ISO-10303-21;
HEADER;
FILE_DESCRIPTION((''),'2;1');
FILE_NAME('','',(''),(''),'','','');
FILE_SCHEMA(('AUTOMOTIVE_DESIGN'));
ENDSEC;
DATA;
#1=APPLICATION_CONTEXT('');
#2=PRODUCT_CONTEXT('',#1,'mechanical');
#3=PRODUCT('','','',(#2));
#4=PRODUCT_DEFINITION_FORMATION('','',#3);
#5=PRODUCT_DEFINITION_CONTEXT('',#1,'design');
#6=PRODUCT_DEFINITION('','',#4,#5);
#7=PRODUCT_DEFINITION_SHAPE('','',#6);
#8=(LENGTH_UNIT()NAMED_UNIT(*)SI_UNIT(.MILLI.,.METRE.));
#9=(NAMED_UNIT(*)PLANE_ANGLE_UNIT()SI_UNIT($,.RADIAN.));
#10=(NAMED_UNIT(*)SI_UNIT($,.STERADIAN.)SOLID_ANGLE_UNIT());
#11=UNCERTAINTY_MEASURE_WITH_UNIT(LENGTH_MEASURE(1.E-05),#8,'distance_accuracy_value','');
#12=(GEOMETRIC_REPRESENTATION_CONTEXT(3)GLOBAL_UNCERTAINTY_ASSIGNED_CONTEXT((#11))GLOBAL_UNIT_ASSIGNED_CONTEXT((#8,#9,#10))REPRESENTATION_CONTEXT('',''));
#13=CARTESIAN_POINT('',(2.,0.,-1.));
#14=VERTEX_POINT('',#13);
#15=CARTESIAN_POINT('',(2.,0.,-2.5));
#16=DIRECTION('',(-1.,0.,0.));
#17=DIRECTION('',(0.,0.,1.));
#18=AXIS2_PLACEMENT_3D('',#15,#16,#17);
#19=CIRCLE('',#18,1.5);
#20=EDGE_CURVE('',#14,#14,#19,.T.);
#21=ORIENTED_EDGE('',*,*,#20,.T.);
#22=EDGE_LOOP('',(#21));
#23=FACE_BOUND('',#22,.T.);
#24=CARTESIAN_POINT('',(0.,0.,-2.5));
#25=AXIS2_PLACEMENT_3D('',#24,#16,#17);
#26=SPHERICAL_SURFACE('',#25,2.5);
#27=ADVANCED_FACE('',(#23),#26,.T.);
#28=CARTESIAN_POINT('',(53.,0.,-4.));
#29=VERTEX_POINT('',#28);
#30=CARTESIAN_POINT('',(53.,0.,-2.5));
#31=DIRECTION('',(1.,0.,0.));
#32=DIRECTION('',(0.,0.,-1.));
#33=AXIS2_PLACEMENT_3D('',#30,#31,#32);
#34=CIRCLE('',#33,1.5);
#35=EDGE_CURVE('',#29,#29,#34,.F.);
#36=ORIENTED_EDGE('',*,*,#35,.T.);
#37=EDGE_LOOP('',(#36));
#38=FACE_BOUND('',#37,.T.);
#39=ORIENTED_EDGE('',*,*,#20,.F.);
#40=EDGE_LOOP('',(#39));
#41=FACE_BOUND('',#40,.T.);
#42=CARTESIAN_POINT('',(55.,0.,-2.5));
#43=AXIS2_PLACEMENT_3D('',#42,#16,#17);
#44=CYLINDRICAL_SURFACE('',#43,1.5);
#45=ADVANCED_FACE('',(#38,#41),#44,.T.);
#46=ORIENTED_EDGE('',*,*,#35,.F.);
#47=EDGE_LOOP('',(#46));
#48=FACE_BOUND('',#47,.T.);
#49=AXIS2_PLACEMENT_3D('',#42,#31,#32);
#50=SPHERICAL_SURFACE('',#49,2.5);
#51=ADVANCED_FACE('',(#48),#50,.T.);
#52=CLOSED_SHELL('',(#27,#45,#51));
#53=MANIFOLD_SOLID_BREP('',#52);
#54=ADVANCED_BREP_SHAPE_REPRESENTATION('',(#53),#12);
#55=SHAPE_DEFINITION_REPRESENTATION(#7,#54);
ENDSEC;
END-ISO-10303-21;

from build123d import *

# Parameters (mm, degrees)
SKETCH5_R   = 1.5
SHAFT_DEPTH = 55


with BuildPart() as part:
    # Sketch4 → Semi-circle Revolve (revolve)
    with BuildSketch(Plane(origin=(0, 0, 0), x_dir=(0, 0, -1), z_dir=(1, 0, 0))):
        with BuildLine():
            Line((0, 0), (2.5, 0))
            Line((2.5, 0), (2.5, -2.5))
            ThreePointArc((2.5, -2.5), (0.732233047, -1.767766953), (0, 0))
        make_face()
    semi_circle_revolve = revolve(axis=Axis((0, 0, -2.5), (0, -1, 0)))

    # Full-circle Mirror: Semi-circle Revolve across plane
    add(semi_circle_revolve.mirror(Plane(origin=(0, 0, 0), x_dir=(0, 0, 1), z_dir=(0, -1, 0))))

    # Sketch5 → Shaft (add)
    with BuildSketch(Plane(origin=(0, 0, 0), x_dir=(0, 0, -1), z_dir=(1, 0, 0))):
        with Locations(Location((2.5, 0, 0), (0, 0, 180))):
            Circle(SKETCH5_R)
    extrude(amount=SHAFT_DEPTH)

    # Sketch6 → Opposite Semi-circle Revolve (revolve)
    with BuildSketch(Plane(origin=(55, 0, 0), x_dir=(0, 0, -1), z_dir=(1, 0, 0))):
        with BuildLine():
            Line((0, 0), (2.5, 0))
            Line((2.5, 0), (2.5, -2.5))
            ThreePointArc((2.5, -2.5), (0.732233047, -1.767766953), (0, 0))
        make_face()
    opposite_semi_circle_revolve = revolve(axis=Axis((55, 0, -2.5), (0, -1, 0)))

    # Opposite Full-circle Mirror: Opposite Semi-circle Revolve across plane
    add(opposite_semi_circle_revolve.mirror(Plane(origin=(55, 0, 0), x_dir=(0, 0, 1), z_dir=(0, 1, 0))))


solid = part.part
